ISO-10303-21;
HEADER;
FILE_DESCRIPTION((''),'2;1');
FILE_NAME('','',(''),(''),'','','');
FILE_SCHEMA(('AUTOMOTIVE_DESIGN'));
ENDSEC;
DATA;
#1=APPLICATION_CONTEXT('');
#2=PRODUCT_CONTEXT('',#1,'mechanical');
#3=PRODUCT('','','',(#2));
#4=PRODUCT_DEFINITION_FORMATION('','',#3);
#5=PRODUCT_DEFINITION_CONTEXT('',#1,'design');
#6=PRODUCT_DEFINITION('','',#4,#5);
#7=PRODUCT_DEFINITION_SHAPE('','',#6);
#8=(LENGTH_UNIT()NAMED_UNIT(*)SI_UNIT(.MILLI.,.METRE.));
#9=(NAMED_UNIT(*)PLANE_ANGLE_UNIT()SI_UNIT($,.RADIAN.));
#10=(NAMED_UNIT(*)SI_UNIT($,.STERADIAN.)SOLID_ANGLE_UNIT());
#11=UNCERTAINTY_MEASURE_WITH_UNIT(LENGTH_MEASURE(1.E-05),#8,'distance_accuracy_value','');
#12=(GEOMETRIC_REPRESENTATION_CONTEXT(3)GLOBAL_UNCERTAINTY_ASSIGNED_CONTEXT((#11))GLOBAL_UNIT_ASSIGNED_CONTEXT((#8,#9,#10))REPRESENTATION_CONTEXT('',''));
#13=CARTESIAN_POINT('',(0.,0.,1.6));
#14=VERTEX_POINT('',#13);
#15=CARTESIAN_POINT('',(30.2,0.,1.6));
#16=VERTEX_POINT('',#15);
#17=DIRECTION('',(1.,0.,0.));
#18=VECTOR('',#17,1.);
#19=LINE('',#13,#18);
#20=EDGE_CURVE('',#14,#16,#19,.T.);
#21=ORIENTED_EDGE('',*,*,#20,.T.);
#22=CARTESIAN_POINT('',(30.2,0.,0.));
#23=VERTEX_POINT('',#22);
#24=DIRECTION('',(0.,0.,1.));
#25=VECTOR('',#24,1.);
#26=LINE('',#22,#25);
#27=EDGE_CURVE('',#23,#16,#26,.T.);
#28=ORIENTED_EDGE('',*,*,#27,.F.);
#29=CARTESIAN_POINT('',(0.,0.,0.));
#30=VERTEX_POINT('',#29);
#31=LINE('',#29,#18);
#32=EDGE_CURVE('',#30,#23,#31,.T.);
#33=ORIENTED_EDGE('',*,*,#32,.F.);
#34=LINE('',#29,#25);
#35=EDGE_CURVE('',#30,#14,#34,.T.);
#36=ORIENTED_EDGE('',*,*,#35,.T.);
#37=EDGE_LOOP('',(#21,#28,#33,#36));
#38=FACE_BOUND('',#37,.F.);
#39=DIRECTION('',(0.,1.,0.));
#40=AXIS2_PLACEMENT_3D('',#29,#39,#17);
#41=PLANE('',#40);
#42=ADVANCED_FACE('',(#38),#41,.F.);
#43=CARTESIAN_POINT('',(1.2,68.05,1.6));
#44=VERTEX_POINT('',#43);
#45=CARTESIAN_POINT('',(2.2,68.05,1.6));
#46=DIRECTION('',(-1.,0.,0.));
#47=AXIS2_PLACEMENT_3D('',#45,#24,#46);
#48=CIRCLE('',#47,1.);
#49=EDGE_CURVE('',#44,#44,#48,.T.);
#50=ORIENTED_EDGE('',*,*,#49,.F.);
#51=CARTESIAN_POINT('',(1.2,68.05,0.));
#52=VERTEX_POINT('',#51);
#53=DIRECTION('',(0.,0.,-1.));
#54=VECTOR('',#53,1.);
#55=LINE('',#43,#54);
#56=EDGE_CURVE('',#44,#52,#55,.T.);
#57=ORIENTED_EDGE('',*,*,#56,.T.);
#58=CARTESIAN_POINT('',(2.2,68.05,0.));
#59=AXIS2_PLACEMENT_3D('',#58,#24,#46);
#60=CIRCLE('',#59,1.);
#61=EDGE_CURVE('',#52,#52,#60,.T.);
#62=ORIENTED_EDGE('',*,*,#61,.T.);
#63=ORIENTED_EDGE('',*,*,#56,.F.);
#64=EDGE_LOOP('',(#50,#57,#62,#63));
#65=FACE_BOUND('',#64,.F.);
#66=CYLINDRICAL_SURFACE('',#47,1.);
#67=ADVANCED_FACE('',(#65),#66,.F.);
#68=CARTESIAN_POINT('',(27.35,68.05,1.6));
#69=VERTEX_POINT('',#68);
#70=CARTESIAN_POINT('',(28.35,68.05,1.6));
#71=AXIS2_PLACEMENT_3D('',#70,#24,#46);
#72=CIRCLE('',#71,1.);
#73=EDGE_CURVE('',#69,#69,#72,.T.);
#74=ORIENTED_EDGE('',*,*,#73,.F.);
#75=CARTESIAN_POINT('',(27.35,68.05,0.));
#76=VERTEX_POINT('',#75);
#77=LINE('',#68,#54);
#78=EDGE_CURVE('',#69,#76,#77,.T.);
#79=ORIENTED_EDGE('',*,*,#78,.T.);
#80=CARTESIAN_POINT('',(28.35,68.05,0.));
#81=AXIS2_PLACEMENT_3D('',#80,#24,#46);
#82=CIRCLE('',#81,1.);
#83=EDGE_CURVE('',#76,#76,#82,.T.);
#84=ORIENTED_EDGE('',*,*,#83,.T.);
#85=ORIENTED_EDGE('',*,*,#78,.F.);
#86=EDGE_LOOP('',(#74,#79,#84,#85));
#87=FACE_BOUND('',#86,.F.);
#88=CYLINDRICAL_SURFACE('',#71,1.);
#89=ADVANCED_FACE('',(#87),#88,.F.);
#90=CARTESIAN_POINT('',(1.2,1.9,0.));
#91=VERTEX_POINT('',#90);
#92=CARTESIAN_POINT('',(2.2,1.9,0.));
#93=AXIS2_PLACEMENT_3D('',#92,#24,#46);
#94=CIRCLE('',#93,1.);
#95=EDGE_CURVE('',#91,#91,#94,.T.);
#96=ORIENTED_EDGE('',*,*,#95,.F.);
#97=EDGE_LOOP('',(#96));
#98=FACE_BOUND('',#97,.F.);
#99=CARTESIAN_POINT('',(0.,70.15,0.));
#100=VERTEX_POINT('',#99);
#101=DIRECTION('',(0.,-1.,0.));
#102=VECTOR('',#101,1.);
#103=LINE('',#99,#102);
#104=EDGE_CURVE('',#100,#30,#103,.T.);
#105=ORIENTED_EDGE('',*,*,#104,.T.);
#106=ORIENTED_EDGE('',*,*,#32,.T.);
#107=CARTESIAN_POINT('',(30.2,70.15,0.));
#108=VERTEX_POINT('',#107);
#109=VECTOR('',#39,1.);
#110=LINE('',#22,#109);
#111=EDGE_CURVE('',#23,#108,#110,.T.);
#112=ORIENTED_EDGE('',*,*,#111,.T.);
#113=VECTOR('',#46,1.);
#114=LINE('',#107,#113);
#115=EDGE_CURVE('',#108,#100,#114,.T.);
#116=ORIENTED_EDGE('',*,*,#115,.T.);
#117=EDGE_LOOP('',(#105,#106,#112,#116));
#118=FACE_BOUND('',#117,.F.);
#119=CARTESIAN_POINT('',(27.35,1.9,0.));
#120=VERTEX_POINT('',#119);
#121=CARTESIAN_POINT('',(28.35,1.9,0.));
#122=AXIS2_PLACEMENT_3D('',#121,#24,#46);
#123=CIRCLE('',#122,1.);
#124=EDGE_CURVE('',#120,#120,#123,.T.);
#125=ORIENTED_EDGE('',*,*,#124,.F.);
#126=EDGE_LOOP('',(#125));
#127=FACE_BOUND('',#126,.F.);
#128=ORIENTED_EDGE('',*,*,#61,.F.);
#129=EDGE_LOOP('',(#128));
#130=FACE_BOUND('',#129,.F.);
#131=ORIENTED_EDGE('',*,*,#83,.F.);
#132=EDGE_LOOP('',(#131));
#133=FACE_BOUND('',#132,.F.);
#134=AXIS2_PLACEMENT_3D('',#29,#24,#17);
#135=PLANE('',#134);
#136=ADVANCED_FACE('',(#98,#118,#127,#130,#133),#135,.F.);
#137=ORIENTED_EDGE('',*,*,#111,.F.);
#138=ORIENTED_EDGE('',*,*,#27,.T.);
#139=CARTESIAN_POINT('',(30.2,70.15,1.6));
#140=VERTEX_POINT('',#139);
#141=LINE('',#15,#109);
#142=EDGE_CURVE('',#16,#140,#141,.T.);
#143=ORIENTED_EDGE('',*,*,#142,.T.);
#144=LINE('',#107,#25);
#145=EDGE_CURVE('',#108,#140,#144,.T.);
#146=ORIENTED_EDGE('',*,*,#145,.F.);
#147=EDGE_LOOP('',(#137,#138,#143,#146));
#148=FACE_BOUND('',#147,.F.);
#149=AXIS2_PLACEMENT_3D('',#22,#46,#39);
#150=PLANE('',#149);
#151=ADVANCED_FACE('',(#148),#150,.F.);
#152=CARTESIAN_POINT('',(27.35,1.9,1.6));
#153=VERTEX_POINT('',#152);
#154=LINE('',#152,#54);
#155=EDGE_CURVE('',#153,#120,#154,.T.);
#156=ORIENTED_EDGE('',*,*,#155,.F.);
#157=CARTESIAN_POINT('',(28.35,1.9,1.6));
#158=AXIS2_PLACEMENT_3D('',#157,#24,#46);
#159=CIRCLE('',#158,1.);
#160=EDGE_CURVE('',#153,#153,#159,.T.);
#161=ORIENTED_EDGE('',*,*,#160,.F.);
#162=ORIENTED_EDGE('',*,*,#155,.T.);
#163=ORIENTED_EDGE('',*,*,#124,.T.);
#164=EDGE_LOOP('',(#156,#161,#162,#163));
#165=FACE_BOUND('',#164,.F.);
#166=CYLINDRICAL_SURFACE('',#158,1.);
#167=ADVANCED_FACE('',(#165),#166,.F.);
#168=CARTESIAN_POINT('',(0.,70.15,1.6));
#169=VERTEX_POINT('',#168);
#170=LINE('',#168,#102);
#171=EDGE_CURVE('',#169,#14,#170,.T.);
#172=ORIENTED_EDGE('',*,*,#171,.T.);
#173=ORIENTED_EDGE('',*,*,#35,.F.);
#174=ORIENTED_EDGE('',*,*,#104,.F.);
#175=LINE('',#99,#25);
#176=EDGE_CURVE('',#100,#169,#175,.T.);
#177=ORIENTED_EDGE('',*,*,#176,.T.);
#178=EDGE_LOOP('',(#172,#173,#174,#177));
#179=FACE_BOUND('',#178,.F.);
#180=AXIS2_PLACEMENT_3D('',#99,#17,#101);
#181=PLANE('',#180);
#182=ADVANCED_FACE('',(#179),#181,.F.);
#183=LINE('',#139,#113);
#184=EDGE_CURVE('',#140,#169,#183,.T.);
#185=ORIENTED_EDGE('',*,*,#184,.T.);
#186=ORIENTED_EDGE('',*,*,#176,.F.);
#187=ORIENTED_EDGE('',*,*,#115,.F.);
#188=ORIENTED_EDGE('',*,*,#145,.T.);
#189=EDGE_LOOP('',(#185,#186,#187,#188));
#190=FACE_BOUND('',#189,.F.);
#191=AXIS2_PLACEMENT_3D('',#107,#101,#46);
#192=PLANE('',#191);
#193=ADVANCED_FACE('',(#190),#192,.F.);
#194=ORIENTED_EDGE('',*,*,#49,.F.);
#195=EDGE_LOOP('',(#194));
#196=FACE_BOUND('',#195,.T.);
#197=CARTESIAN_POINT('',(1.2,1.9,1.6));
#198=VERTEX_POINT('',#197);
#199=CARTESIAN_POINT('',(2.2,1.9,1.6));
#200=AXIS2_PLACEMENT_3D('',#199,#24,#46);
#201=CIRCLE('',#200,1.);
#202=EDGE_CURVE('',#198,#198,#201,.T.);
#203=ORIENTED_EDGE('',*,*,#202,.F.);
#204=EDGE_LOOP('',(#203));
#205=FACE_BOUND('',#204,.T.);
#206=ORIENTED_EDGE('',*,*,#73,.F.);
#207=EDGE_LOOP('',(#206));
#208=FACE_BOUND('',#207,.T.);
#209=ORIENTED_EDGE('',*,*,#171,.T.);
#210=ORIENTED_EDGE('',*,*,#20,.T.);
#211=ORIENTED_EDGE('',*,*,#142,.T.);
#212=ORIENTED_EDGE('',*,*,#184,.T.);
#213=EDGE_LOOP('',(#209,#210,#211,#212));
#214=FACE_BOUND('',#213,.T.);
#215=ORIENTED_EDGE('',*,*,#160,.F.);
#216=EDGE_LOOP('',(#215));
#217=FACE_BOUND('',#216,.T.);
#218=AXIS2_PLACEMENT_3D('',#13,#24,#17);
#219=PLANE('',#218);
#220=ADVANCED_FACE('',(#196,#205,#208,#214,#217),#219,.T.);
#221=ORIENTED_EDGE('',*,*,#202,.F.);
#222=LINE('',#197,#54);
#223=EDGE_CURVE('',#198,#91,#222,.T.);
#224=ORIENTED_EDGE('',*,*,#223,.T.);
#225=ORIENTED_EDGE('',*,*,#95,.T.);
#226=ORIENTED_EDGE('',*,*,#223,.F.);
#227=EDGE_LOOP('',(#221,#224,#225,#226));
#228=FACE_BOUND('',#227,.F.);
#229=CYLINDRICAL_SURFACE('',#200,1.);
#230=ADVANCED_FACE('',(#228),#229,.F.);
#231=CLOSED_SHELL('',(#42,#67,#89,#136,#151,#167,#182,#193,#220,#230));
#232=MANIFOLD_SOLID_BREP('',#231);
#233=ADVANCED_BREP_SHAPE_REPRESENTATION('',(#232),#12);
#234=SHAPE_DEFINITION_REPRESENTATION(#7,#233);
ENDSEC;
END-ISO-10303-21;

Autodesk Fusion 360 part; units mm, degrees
sketch "Sketch1" plane through (0, 0, 0) normal (0, 0, 1) x (1, 0, 0)
  line L0 (0, 0) -> (30.2, 0)
  line L1 (30.2, 0) -> (30.2, 70.15)
  line L2 (30.2, 70.15) -> (0, 70.15)
  line L3 (0, 70.15) -> (0, 0)
  dimension "d1" = 30.2
  dimension "d2" = 70.15
extrude "Extrude1" add sketch "Sketch1" along normal blind 1.6
sketch "Sketch3" plane through (0, 0, 1.6) normal (0, 0, 1) x (-1, 0, 0)
  line L0 (0, -70.15) -> (0, 0)
  line L1 (0, 0) -> (-30.2, 0)
  line L2 (-30.2, 0) -> (-30.2, -70.15)
  line L3 (-30.2, -70.15) -> (0, -70.15)
  circle A0 centre (-2.2, -68.05) radius 1
  circle A1 centre (-28.35, -68.05) radius 1
  circle A2 centre (-2.2, -1.9) radius 1
  circle A3 centre (-28.35, -1.9) radius 1
  dimension "d7" = 2
  dimension "d12" = -26.15
  dimension "d13" = 66.15
extrude "Extrude2" cut sketch "Sketch3" against normal blind 1.6 contours A0 | A1 | A2 | A3
